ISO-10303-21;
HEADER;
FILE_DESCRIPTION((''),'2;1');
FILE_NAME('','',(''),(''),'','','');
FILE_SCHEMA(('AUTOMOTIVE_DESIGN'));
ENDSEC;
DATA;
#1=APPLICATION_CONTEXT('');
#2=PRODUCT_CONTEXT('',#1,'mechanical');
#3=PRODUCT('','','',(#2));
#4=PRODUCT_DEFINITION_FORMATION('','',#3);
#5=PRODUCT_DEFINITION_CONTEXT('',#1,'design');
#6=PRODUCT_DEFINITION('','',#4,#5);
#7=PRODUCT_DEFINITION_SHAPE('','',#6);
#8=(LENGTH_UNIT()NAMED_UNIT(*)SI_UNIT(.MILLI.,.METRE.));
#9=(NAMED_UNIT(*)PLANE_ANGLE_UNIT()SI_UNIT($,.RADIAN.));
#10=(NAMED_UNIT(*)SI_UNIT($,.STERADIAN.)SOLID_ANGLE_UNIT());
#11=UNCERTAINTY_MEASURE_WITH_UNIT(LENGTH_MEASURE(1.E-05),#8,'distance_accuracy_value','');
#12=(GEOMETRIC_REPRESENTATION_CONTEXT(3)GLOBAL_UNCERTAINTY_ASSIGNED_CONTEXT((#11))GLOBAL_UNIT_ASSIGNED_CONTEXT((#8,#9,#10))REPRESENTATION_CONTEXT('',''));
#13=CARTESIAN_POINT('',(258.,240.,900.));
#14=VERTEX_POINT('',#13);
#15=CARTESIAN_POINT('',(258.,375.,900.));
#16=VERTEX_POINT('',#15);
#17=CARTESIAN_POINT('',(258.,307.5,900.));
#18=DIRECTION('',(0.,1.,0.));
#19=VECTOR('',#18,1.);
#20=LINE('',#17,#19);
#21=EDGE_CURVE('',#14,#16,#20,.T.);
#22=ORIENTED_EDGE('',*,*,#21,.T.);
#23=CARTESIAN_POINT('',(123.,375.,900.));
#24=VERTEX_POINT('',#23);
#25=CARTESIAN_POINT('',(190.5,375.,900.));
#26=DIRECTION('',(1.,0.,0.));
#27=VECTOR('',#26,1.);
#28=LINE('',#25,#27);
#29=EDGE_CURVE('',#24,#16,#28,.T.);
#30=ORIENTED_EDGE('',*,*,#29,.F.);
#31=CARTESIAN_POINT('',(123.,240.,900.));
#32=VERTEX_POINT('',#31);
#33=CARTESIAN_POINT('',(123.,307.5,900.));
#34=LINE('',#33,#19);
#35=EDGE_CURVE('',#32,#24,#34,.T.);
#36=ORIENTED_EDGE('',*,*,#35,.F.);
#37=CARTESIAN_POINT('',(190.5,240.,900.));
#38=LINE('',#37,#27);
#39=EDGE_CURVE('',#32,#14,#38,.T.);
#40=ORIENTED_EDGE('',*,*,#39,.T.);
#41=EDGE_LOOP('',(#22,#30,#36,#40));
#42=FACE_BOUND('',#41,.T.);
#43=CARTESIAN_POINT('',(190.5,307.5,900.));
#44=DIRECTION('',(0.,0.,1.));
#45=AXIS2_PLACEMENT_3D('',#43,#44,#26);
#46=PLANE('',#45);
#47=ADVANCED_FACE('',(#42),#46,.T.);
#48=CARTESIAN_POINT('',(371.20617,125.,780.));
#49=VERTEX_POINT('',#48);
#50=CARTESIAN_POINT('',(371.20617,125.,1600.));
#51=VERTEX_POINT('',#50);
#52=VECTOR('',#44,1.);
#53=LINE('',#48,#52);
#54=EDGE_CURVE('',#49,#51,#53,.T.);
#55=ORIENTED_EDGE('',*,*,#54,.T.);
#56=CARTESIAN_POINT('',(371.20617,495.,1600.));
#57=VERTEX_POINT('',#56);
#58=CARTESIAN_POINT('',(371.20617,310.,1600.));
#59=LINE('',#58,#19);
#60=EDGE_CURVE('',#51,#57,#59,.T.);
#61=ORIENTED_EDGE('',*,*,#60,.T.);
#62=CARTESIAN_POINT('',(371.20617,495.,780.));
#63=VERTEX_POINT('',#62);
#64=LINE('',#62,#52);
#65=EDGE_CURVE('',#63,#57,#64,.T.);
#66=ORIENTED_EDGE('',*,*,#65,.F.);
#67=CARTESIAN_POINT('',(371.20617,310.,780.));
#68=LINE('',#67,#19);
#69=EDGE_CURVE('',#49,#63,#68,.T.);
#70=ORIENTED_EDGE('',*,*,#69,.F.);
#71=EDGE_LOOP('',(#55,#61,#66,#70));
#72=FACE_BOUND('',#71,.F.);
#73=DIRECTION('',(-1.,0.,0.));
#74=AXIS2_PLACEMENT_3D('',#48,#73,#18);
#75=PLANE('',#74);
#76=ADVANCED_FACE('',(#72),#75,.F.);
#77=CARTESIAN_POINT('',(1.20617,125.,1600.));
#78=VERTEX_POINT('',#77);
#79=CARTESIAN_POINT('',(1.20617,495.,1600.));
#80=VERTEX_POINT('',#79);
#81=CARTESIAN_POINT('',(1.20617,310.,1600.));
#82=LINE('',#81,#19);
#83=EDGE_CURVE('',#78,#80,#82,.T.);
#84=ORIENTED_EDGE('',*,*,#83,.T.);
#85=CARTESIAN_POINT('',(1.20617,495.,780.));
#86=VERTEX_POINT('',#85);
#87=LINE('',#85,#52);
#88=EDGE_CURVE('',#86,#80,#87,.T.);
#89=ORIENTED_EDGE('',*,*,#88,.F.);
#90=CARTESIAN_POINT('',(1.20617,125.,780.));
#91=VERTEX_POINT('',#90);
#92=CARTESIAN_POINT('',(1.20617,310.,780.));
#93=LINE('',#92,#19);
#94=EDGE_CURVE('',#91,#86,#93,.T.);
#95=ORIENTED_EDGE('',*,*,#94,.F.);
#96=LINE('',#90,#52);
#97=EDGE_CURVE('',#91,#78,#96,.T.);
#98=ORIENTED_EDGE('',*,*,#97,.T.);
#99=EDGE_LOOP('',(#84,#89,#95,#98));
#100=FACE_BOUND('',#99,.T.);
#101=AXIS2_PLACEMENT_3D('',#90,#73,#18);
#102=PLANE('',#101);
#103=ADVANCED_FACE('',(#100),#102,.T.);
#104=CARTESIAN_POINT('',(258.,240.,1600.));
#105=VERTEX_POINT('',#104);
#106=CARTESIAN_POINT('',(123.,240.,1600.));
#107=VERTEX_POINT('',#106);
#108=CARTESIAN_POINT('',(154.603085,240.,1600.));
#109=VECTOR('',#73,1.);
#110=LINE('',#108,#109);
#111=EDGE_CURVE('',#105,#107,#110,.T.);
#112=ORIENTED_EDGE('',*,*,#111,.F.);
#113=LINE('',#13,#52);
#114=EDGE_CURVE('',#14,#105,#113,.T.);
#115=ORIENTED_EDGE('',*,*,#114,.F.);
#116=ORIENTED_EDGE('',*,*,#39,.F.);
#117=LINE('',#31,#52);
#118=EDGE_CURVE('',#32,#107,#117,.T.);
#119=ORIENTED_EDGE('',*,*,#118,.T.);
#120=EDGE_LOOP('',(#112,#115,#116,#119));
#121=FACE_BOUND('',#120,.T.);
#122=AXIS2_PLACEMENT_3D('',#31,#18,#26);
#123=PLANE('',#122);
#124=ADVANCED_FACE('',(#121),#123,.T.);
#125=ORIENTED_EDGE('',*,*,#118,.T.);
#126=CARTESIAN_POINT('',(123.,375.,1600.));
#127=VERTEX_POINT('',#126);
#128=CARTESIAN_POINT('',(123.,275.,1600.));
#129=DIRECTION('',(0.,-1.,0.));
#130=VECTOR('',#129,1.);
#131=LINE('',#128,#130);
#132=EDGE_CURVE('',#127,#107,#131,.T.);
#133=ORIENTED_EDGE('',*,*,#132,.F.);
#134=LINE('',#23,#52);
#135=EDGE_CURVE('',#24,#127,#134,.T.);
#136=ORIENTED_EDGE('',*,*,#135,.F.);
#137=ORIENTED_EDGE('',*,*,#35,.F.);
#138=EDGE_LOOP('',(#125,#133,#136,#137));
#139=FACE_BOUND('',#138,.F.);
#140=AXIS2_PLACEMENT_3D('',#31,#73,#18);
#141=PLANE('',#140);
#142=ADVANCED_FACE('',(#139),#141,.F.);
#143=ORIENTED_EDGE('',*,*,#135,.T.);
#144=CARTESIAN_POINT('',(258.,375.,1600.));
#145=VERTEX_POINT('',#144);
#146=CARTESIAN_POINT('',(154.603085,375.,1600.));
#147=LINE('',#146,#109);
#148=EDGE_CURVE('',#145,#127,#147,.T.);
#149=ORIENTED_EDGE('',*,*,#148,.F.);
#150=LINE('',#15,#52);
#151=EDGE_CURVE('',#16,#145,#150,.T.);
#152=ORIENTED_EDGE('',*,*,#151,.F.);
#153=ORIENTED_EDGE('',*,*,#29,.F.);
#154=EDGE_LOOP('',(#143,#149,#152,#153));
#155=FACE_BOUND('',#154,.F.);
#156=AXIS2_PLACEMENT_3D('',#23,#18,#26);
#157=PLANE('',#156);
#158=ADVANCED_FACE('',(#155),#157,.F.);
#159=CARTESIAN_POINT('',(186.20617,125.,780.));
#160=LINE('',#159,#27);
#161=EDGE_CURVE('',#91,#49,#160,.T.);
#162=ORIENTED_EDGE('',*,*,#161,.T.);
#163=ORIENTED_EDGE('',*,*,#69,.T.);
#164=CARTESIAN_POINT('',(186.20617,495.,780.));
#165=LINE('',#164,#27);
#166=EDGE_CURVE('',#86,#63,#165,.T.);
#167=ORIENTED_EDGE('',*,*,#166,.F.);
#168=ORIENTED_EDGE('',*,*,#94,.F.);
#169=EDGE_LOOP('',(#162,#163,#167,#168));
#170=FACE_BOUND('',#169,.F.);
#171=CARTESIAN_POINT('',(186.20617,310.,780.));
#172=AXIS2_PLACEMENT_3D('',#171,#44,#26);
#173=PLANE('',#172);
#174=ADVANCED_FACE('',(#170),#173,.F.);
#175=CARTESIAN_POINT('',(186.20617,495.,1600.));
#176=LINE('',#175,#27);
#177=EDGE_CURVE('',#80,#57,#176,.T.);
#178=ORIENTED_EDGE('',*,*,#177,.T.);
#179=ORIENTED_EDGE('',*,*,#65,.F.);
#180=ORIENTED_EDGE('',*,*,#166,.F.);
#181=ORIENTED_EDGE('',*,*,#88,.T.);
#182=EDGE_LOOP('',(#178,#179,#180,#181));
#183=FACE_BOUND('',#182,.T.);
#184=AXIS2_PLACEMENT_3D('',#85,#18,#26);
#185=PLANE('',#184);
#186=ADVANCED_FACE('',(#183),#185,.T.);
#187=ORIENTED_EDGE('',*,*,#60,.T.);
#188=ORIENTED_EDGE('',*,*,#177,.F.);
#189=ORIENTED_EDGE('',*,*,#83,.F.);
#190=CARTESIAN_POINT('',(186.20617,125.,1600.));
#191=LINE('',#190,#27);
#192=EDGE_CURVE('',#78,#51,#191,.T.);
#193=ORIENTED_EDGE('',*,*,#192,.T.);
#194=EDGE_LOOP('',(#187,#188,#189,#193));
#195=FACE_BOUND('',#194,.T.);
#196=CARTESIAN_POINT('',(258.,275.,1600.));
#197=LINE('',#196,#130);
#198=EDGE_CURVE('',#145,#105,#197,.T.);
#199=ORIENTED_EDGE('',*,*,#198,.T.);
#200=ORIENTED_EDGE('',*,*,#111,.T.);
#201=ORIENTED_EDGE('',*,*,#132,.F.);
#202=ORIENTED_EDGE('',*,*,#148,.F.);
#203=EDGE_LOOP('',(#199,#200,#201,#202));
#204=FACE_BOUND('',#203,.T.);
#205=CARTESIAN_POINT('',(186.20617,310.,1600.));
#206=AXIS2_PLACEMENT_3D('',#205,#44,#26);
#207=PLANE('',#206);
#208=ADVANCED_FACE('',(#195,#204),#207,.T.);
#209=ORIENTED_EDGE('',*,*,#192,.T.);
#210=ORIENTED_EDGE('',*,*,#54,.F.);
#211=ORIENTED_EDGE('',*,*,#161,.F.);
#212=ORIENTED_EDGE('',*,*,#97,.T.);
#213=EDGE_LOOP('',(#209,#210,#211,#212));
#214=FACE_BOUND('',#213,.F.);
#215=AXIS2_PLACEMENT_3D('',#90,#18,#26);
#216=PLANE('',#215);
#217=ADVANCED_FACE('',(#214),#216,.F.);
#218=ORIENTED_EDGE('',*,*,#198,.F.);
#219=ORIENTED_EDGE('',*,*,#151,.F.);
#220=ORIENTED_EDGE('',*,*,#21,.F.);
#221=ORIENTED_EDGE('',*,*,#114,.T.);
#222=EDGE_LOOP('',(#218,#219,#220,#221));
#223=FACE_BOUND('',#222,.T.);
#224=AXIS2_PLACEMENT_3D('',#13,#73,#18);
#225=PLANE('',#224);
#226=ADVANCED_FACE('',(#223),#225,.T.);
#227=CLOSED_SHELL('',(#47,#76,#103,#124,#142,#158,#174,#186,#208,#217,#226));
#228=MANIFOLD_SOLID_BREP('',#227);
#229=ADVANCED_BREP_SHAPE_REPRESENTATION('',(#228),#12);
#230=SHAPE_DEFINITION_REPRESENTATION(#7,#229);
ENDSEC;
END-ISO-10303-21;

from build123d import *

# Parameters (mm, degrees)
BOX132_W     = 135
BOX132_H     = 135
BOX132_DEPTH = 1000
BOX131_W     = 370
BOX131_H     = 370
BOX131_DEPTH = 820


with BuildPart() as box132:
    # Box132 → Box132 (new body)
    with BuildSketch(Plane(origin=(120, 240, 900), x_dir=(1, 0, 0), z_dir=(0, 0, 1))):
        with Locations((67.5, 67.5)):
            Rectangle(BOX132_W, BOX132_H)
    extrude(amount=BOX132_DEPTH)


with BuildPart() as cut:
    # Box131 → Box131 (new body)
    with BuildSketch(Plane(origin=(-1.79383, 125, 780), x_dir=(1, 0, 0), z_dir=(0, 0, 1))):
        with Locations((185, 185)):
            Rectangle(BOX131_W, BOX131_H)
    extrude(amount=BOX131_DEPTH)

    # Cut: cut Box132
    add(box132.part, mode=Mode.SUBTRACT)


with BuildPart() as cut_1:
    # Cut placement: moved
    add(cut.part.moved(Location((3, 0, 0))))


solid = cut_1.part
